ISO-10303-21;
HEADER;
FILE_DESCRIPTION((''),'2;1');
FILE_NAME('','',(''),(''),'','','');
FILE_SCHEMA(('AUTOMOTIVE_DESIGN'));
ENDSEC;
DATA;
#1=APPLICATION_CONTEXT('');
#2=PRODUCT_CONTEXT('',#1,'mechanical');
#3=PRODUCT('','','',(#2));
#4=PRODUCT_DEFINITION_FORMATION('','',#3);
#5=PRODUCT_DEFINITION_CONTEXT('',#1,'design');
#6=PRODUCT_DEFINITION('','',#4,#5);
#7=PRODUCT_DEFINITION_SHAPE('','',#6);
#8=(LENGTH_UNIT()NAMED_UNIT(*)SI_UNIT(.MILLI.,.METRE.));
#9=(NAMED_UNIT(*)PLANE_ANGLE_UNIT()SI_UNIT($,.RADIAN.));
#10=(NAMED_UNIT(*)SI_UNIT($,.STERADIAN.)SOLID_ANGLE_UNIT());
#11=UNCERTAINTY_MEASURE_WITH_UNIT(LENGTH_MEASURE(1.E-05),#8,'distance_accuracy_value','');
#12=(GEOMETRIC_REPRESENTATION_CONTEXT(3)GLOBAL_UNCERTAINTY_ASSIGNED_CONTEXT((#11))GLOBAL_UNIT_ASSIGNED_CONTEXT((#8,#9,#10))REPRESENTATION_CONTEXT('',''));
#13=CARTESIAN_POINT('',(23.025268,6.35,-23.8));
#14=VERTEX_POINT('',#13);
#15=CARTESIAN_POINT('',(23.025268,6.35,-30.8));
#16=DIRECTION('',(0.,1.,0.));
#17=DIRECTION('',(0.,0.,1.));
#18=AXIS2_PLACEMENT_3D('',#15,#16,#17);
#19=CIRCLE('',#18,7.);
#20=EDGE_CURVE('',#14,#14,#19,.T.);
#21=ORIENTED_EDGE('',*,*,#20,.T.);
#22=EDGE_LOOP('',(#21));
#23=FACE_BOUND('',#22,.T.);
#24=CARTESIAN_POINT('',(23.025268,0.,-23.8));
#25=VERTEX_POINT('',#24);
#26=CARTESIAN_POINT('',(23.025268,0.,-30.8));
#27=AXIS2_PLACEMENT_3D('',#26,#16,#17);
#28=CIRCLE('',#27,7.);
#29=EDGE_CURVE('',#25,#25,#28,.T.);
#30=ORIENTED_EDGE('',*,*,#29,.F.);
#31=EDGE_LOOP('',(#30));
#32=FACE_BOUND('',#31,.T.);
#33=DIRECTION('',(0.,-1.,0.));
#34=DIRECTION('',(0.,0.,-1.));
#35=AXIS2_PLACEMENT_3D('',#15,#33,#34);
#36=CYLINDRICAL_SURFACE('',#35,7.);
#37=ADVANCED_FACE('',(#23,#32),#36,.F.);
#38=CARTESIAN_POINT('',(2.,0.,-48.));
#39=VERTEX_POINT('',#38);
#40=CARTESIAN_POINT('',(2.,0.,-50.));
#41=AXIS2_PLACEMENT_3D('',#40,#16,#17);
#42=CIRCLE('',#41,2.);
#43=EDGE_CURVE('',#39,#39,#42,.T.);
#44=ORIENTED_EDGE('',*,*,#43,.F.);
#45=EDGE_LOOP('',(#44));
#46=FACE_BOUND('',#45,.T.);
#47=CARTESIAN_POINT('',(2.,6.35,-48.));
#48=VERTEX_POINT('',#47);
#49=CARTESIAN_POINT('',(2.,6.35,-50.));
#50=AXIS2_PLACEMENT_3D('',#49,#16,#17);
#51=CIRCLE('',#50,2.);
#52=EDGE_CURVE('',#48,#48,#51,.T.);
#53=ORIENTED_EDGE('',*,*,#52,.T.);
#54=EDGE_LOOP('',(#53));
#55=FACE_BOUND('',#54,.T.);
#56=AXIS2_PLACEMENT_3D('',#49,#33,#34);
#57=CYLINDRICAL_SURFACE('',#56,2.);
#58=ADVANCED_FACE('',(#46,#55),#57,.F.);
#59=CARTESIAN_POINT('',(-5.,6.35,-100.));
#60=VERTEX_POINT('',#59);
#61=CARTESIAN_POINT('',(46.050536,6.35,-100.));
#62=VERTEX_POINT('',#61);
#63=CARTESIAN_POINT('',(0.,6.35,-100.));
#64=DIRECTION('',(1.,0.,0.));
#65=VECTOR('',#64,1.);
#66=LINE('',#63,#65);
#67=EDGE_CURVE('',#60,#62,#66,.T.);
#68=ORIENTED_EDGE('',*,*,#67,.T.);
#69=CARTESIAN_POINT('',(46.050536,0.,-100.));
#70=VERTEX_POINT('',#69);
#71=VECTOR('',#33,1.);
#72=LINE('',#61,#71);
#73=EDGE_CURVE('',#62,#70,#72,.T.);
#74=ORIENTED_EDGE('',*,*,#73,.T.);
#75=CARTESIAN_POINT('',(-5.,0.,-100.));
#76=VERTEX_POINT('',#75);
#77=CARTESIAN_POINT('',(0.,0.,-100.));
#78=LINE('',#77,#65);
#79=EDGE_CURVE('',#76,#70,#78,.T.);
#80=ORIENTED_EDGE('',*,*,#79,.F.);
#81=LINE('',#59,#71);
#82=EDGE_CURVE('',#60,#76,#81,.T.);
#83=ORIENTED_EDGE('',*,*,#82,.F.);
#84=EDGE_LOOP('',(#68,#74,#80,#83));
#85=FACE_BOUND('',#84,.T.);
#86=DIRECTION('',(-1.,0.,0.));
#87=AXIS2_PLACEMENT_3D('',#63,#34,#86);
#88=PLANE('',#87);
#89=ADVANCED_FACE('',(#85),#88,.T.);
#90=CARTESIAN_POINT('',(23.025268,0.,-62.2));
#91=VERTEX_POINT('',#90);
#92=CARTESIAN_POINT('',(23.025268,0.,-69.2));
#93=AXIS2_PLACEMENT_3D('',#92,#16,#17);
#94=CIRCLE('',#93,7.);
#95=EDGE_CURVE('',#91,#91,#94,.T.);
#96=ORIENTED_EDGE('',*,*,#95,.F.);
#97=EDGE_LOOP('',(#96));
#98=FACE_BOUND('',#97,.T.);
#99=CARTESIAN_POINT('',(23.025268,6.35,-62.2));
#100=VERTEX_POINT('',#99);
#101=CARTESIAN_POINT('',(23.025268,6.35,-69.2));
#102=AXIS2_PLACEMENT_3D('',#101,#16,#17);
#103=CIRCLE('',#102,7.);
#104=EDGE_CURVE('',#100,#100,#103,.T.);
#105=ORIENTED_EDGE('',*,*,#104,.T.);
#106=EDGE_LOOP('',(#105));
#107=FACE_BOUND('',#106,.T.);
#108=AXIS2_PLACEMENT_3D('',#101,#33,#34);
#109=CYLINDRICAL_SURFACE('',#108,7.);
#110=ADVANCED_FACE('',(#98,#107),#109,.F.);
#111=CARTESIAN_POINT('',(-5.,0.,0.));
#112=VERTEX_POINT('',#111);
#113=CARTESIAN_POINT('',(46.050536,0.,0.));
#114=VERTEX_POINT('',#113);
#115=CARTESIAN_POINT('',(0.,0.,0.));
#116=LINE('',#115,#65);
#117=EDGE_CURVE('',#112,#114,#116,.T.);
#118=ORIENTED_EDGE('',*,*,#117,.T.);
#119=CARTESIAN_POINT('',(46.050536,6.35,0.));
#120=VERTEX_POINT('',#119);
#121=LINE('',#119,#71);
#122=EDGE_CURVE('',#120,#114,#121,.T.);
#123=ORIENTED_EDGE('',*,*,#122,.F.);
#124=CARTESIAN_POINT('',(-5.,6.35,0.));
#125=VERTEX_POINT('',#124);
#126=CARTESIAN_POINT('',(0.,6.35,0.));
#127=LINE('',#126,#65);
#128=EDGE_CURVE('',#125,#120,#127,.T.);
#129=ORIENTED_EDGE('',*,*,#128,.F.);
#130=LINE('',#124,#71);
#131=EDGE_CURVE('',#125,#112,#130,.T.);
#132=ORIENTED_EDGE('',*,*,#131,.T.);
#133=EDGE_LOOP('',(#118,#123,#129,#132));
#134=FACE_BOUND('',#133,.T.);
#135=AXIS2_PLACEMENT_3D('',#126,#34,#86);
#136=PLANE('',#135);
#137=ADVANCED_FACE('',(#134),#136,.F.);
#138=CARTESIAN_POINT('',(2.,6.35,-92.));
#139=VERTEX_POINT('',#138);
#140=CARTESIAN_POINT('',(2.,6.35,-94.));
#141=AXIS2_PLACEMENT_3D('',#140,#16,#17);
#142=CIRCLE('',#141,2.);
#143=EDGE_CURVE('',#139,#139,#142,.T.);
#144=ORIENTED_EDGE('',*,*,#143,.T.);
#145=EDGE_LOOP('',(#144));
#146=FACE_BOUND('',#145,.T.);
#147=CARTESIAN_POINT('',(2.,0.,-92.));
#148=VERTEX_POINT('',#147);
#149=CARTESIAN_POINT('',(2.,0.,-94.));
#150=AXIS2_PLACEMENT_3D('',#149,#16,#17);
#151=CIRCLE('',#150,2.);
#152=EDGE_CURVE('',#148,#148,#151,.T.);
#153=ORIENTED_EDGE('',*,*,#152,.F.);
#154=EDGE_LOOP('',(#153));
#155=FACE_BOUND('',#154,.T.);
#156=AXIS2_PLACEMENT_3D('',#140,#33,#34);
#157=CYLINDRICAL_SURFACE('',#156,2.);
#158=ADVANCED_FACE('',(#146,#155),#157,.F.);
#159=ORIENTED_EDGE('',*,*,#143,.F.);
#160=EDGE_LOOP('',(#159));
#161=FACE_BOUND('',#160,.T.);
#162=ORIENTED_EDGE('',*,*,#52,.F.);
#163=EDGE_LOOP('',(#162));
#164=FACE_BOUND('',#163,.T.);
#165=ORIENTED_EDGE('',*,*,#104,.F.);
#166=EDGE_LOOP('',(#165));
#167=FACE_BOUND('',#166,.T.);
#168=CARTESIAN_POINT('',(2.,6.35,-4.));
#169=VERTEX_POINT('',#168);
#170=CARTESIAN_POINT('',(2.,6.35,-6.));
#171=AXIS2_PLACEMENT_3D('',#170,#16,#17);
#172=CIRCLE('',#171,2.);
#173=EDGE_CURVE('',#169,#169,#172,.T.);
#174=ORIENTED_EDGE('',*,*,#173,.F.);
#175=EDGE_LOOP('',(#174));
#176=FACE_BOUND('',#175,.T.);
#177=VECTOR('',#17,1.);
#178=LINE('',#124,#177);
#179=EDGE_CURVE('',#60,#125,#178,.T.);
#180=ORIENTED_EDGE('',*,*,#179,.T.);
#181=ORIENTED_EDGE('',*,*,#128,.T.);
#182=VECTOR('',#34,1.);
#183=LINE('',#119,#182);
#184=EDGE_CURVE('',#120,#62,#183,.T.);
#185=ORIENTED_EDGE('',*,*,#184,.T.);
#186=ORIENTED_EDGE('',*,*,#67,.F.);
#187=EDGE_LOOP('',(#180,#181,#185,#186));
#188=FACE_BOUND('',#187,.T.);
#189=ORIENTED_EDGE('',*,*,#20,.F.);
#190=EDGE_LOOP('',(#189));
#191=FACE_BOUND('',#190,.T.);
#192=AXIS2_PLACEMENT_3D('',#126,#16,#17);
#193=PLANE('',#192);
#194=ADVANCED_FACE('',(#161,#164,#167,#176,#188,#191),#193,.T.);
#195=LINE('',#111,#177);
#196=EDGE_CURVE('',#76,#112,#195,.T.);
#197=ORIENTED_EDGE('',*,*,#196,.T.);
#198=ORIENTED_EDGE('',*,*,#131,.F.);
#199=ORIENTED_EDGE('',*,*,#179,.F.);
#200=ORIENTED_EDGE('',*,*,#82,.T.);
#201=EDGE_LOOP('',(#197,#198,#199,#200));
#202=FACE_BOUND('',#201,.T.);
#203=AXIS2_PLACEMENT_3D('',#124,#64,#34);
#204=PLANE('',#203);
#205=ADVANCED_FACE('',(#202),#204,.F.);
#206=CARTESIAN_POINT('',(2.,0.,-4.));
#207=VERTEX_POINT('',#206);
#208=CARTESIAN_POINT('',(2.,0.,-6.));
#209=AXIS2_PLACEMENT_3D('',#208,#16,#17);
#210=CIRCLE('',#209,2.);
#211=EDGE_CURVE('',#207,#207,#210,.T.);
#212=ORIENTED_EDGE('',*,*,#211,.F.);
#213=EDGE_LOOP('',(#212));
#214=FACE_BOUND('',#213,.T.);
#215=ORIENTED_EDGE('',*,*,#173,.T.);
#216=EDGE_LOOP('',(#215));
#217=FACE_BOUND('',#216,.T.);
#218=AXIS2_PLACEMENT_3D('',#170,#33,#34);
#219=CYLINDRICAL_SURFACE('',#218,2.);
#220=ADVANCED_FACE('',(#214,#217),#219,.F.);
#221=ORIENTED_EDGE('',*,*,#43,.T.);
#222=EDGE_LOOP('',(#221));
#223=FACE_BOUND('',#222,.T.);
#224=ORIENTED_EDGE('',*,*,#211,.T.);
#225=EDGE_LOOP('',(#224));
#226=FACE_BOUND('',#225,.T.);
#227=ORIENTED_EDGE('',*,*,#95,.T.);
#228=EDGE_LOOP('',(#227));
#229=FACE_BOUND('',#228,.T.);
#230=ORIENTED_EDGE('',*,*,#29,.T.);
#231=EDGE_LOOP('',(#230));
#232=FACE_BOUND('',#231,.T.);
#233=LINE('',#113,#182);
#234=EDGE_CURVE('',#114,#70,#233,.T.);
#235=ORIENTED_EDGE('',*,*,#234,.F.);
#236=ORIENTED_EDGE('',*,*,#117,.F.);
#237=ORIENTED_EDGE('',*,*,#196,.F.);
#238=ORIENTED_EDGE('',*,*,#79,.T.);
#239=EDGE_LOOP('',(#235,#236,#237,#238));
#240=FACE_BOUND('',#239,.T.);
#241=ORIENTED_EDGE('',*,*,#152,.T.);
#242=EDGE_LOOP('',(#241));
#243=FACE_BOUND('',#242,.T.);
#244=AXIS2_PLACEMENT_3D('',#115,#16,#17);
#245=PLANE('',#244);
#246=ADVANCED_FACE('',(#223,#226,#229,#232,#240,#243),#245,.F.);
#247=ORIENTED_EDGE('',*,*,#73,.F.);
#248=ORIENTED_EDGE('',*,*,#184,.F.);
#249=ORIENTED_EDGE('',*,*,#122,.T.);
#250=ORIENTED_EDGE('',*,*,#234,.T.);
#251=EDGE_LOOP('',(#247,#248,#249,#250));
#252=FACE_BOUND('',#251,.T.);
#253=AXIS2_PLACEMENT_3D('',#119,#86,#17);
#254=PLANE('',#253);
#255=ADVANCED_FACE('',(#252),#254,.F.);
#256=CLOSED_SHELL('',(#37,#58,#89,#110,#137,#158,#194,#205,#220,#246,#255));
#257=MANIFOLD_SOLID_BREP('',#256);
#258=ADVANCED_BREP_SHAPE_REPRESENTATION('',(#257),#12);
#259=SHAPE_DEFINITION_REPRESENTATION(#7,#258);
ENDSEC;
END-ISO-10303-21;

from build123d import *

# Parameters (mm, degrees)
SKETCH1_W           = 51.050535797
SKETCH1_H           = 100
SKETCH1_R           = 2
SKETCH1_R_2         = 7
BOSS_EXTRUDE1_DEPTH = 6.35


with BuildPart() as part:
    # Sketch1 → Boss-Extrude1 (new body)
    with BuildSketch(Plane(origin=(0, 0, 0), x_dir=(1, 0, 0), z_dir=(0, 1, 0))):
        with Locations((20.525267899, 50)):
            Rectangle(SKETCH1_W, SKETCH1_H)
        with Locations(Location((2, 50, 0), (0, 0, 270))):
            Circle(SKETCH1_R, mode=Mode.SUBTRACT)
        with Locations(Location((2, 94, 0), (0, 0, 270))):
            Circle(SKETCH1_R, mode=Mode.SUBTRACT)
        with Locations(Location((2, 6, 0), (0, 0, 270))):
            Circle(SKETCH1_R, mode=Mode.SUBTRACT)
        with Locations(Location((23.025267899, 30.8, 0), (0, 0, 270))):
            Circle(SKETCH1_R_2, mode=Mode.SUBTRACT)
        with Locations(Location((23.025267899, 69.2, 0), (0, 0, 270))):
            Circle(SKETCH1_R_2, mode=Mode.SUBTRACT)
    extrude(amount=BOSS_EXTRUDE1_DEPTH)


solid = part.part
